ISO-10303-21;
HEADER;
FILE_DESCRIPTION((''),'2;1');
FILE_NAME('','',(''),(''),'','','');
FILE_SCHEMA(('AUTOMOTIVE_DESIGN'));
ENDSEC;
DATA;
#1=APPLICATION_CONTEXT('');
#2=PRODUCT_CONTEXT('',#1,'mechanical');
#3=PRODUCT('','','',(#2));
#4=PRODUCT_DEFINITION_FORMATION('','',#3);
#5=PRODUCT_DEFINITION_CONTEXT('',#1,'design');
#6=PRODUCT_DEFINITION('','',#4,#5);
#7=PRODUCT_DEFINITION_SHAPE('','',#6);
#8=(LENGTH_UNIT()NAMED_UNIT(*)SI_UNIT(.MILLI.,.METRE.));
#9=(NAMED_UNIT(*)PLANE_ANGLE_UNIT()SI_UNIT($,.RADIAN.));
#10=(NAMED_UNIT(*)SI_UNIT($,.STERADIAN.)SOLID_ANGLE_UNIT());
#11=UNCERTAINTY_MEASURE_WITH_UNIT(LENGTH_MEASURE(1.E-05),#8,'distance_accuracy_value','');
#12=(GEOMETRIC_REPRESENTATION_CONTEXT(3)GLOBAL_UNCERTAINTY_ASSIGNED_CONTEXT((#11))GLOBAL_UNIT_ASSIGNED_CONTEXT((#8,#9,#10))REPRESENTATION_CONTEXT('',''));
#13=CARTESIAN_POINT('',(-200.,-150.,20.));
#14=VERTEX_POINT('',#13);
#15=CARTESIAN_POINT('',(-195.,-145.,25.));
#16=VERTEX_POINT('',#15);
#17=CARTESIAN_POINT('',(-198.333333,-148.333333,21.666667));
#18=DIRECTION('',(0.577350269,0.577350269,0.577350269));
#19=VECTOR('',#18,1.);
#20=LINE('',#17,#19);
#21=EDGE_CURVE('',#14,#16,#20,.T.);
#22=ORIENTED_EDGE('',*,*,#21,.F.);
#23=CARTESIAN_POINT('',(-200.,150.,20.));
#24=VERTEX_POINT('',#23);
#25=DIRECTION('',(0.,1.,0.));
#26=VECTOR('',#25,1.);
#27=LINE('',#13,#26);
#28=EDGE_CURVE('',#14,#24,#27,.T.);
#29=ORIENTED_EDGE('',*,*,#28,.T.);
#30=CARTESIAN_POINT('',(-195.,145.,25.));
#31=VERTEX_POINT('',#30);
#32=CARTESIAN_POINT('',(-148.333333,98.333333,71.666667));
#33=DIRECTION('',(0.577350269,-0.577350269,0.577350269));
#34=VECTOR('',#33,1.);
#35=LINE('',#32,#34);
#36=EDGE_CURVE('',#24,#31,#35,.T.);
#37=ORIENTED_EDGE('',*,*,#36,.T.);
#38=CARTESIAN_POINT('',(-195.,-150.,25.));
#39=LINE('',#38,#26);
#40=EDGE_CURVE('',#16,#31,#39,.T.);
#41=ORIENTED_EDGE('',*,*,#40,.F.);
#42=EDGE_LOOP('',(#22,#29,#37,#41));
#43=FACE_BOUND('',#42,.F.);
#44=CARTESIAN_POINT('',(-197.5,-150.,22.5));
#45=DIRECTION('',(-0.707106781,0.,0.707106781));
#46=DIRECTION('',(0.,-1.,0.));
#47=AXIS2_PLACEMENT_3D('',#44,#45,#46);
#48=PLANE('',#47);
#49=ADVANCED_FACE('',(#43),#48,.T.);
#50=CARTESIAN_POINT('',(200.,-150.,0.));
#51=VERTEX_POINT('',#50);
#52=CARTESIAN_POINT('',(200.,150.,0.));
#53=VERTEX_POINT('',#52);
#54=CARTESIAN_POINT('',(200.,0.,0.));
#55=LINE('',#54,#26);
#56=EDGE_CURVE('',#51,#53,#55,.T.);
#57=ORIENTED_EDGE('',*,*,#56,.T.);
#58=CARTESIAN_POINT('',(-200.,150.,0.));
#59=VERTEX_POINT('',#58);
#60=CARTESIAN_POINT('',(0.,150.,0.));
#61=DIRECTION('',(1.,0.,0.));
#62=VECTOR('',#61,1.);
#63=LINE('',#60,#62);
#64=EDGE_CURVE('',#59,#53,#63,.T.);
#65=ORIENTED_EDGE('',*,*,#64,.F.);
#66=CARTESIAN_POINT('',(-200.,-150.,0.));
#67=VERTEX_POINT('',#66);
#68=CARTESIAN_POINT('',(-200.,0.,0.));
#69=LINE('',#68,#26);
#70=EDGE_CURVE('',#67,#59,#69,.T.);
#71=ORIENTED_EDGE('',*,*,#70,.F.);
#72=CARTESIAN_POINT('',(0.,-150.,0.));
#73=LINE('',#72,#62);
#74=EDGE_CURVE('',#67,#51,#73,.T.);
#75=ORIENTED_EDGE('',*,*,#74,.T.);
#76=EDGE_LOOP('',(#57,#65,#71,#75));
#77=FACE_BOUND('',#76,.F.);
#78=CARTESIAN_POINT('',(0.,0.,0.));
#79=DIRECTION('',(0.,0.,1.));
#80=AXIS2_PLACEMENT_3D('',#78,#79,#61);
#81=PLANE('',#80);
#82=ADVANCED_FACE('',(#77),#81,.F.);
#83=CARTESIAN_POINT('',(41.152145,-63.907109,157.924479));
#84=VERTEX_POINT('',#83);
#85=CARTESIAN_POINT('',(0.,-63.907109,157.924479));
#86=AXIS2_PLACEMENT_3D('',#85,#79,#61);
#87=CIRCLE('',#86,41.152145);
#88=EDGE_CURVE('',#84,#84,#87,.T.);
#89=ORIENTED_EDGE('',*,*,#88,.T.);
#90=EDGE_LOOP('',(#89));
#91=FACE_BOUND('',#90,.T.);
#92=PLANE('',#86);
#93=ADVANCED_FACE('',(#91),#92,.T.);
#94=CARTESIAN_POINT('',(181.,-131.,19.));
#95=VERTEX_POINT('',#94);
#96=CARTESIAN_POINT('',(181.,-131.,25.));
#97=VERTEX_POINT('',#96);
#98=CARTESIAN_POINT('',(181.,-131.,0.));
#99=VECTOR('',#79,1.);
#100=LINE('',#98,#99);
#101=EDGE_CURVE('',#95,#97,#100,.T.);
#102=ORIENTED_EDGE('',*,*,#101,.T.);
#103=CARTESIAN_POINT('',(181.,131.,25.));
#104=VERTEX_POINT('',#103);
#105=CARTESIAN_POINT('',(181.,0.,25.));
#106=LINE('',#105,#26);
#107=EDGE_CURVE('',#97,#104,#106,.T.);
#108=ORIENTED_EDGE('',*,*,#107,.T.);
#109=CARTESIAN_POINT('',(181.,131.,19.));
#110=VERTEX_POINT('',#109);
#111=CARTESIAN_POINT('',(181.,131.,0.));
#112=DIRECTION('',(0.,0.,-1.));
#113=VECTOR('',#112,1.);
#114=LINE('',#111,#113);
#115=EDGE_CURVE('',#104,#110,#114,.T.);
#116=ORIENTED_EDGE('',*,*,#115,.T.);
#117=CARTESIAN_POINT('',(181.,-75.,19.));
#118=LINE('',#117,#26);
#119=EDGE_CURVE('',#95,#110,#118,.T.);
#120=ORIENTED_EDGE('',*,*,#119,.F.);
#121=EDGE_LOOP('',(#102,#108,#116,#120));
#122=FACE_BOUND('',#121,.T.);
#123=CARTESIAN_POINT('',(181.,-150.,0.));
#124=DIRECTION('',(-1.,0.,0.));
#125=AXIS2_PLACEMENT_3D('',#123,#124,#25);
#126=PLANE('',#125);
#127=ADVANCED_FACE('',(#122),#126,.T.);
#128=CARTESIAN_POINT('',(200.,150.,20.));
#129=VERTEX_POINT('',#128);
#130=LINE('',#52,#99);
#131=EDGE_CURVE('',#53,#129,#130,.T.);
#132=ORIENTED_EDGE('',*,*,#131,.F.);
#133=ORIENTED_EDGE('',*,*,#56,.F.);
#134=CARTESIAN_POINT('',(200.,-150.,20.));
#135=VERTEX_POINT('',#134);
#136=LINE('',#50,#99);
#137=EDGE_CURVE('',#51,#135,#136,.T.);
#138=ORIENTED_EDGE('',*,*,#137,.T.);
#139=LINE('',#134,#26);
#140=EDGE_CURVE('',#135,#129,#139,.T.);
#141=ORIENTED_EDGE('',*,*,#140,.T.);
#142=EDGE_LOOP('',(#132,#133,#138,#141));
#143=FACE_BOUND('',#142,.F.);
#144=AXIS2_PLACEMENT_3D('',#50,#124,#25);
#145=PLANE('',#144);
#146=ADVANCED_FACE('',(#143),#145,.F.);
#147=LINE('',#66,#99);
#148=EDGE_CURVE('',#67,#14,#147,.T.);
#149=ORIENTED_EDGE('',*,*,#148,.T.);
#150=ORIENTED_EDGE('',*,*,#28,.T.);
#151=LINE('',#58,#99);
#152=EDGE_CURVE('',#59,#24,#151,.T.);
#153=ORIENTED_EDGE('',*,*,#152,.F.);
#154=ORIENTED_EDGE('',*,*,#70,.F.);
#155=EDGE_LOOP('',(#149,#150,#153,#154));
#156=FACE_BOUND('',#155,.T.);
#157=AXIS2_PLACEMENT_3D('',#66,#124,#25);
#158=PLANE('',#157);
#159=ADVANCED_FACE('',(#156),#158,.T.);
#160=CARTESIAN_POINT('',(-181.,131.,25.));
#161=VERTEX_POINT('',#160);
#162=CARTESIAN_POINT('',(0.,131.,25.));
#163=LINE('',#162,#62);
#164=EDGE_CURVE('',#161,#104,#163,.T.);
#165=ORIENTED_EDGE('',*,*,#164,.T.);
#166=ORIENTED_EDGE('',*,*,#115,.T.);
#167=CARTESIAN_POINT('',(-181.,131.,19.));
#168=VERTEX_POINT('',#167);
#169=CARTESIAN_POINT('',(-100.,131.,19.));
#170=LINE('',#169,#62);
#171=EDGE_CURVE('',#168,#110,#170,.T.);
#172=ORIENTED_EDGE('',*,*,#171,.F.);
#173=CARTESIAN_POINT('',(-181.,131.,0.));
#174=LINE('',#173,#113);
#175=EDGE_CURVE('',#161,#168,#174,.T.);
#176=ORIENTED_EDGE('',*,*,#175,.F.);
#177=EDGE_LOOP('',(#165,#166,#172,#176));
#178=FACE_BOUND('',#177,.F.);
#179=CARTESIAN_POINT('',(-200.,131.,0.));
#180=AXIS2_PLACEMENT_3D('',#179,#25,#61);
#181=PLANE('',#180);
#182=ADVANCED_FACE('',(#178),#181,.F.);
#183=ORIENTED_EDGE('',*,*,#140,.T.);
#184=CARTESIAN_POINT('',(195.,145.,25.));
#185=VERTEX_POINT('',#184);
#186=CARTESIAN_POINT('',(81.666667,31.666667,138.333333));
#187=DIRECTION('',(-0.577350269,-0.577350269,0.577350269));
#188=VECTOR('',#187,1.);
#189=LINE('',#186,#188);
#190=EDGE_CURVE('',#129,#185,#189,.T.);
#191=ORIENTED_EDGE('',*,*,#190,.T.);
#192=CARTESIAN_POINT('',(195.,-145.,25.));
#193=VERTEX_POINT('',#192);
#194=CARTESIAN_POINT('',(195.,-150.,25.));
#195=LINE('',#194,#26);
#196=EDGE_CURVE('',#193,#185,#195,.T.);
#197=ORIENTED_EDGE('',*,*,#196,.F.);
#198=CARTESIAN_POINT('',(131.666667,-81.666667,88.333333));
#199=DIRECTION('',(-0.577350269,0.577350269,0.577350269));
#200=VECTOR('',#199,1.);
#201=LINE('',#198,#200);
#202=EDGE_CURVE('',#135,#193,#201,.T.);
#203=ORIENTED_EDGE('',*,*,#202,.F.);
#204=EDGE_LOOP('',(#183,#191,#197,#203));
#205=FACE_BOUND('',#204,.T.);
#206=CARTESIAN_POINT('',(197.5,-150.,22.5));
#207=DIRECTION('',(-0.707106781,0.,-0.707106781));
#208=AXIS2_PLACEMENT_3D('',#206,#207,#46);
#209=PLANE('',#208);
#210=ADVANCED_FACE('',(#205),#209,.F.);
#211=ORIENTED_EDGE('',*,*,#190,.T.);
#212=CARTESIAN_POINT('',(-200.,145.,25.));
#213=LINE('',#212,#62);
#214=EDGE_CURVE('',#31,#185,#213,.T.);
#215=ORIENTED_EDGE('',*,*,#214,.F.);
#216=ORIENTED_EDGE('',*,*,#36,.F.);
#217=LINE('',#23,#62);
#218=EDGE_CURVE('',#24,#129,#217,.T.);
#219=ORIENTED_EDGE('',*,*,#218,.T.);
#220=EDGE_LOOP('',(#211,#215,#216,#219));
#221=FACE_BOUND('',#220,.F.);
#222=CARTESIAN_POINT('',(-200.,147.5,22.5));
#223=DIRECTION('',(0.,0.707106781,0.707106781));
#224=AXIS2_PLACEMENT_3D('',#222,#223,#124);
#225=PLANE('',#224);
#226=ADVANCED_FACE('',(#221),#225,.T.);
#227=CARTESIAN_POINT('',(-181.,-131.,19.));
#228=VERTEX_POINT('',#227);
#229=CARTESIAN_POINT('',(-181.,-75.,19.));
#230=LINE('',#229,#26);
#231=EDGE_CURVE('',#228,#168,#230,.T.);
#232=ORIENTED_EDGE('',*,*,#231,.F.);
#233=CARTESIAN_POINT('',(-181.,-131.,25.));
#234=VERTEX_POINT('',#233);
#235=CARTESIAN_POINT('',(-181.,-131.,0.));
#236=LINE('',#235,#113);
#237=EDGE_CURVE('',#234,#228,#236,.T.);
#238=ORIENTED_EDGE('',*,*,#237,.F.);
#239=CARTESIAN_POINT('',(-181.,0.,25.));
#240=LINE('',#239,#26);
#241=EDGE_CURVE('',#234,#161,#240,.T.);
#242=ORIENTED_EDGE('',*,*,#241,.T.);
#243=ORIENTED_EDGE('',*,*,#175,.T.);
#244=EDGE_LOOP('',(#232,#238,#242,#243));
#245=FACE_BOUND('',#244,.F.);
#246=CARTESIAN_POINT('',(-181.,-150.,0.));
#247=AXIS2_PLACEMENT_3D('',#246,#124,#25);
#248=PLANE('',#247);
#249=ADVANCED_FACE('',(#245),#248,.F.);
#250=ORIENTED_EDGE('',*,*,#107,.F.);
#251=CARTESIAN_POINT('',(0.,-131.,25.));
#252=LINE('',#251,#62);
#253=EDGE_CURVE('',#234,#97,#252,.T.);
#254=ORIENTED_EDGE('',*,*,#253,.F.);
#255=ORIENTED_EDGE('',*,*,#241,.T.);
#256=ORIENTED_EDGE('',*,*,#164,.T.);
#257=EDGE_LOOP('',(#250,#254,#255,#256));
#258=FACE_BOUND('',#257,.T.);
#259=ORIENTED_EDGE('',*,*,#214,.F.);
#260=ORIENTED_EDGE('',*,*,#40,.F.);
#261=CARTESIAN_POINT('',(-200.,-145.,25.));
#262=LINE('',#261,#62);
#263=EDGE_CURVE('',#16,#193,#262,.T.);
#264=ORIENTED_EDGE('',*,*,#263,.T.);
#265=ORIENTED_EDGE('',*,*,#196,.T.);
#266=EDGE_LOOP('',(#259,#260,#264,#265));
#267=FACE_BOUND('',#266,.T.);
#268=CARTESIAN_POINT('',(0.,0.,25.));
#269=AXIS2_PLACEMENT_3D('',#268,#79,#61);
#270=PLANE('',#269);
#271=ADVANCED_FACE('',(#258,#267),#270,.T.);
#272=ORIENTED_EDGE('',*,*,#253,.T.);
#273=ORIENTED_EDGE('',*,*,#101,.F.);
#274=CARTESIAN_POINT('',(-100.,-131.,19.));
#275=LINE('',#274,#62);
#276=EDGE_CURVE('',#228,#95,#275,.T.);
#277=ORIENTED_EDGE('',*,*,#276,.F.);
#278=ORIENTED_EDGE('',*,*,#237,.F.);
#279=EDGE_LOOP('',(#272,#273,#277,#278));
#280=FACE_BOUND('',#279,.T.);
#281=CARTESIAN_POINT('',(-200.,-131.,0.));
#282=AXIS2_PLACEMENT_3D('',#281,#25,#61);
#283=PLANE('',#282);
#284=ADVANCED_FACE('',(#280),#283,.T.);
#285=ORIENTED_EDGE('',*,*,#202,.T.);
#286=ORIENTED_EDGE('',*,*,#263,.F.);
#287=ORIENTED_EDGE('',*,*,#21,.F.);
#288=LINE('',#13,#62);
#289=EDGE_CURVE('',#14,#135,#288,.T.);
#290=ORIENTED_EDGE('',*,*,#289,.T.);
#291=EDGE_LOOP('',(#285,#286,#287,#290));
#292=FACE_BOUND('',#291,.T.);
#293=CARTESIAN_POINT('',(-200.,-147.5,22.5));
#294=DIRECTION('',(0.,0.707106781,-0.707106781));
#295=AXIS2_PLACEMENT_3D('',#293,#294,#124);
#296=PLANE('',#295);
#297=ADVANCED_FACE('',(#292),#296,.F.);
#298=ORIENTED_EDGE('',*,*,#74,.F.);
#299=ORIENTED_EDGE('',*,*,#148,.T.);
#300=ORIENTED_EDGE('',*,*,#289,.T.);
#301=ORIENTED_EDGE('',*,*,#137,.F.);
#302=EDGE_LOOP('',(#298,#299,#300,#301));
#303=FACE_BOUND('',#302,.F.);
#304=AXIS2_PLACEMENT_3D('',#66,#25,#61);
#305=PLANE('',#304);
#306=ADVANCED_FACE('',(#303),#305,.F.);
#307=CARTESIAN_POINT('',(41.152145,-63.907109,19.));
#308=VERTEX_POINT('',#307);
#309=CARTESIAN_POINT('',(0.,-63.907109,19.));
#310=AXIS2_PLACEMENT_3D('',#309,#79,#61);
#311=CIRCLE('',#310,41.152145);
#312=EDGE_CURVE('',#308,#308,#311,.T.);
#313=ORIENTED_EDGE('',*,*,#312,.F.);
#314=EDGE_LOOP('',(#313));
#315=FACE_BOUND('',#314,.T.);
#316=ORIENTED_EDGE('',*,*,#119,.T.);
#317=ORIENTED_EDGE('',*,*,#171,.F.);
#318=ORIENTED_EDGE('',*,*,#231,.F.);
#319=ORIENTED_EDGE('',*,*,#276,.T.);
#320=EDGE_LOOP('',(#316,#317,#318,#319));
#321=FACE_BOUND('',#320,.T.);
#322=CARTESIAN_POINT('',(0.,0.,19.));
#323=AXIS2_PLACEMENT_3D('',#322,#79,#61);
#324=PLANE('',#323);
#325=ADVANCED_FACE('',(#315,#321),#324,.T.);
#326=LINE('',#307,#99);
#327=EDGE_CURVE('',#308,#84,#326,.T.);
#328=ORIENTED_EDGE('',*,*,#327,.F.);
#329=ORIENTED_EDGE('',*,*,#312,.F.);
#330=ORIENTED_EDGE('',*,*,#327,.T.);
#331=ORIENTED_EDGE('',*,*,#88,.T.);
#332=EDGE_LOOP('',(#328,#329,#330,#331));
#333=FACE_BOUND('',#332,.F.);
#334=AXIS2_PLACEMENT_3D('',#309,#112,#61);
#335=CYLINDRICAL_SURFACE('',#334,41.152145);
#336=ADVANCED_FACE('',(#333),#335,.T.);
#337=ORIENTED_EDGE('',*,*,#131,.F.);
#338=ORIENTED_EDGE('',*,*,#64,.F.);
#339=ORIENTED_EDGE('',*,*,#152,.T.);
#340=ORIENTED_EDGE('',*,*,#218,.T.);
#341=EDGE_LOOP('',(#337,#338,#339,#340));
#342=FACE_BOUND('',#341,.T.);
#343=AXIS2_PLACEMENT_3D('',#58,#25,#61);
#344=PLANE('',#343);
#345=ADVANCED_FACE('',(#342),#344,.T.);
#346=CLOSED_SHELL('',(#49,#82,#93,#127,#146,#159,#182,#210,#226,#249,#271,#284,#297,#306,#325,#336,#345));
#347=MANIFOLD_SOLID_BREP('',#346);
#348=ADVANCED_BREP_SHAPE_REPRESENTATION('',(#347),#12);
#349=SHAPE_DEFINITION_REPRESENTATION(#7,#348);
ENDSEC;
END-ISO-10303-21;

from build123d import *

# Parameters (mm, degrees)
F0_W     = 400
F0_H     = 300
F1_DEPTH = 25
F2_T     = -19
F3_SIZE  = 5
F5_R     = 41.152145
F4_DEPTH = 138.924479


with BuildPart() as f1:
    # F0 (on Top) → F1 (new body)
    with BuildSketch(Plane.XY):
        Rectangle(F0_W, F0_H)
    extrude(amount=F1_DEPTH)

    # F2
    f2_openings = [f1.faces().sort_by_distance(p)[0] for p in [
        (0, 0, 25),
    ]]
    offset(amount=F2_T, openings=f2_openings)

    # F3
    f3_edges = [f1.edges().sort_by_distance(p)[0] for p in [
        (-200, 0, 25),
        (0, 150, 25),
        (200, 0, 25),
        (0, -150, 25),
    ]]
    chamfer(f3_edges, length=F3_SIZE)

    # F5 (on face) → F4 (join)
    with BuildSketch(Plane.XY.offset(19)):
        with Locations((0, -63.907109)):
            Circle(F5_R)
    extrude(amount=F4_DEPTH)


solid = f1.part
